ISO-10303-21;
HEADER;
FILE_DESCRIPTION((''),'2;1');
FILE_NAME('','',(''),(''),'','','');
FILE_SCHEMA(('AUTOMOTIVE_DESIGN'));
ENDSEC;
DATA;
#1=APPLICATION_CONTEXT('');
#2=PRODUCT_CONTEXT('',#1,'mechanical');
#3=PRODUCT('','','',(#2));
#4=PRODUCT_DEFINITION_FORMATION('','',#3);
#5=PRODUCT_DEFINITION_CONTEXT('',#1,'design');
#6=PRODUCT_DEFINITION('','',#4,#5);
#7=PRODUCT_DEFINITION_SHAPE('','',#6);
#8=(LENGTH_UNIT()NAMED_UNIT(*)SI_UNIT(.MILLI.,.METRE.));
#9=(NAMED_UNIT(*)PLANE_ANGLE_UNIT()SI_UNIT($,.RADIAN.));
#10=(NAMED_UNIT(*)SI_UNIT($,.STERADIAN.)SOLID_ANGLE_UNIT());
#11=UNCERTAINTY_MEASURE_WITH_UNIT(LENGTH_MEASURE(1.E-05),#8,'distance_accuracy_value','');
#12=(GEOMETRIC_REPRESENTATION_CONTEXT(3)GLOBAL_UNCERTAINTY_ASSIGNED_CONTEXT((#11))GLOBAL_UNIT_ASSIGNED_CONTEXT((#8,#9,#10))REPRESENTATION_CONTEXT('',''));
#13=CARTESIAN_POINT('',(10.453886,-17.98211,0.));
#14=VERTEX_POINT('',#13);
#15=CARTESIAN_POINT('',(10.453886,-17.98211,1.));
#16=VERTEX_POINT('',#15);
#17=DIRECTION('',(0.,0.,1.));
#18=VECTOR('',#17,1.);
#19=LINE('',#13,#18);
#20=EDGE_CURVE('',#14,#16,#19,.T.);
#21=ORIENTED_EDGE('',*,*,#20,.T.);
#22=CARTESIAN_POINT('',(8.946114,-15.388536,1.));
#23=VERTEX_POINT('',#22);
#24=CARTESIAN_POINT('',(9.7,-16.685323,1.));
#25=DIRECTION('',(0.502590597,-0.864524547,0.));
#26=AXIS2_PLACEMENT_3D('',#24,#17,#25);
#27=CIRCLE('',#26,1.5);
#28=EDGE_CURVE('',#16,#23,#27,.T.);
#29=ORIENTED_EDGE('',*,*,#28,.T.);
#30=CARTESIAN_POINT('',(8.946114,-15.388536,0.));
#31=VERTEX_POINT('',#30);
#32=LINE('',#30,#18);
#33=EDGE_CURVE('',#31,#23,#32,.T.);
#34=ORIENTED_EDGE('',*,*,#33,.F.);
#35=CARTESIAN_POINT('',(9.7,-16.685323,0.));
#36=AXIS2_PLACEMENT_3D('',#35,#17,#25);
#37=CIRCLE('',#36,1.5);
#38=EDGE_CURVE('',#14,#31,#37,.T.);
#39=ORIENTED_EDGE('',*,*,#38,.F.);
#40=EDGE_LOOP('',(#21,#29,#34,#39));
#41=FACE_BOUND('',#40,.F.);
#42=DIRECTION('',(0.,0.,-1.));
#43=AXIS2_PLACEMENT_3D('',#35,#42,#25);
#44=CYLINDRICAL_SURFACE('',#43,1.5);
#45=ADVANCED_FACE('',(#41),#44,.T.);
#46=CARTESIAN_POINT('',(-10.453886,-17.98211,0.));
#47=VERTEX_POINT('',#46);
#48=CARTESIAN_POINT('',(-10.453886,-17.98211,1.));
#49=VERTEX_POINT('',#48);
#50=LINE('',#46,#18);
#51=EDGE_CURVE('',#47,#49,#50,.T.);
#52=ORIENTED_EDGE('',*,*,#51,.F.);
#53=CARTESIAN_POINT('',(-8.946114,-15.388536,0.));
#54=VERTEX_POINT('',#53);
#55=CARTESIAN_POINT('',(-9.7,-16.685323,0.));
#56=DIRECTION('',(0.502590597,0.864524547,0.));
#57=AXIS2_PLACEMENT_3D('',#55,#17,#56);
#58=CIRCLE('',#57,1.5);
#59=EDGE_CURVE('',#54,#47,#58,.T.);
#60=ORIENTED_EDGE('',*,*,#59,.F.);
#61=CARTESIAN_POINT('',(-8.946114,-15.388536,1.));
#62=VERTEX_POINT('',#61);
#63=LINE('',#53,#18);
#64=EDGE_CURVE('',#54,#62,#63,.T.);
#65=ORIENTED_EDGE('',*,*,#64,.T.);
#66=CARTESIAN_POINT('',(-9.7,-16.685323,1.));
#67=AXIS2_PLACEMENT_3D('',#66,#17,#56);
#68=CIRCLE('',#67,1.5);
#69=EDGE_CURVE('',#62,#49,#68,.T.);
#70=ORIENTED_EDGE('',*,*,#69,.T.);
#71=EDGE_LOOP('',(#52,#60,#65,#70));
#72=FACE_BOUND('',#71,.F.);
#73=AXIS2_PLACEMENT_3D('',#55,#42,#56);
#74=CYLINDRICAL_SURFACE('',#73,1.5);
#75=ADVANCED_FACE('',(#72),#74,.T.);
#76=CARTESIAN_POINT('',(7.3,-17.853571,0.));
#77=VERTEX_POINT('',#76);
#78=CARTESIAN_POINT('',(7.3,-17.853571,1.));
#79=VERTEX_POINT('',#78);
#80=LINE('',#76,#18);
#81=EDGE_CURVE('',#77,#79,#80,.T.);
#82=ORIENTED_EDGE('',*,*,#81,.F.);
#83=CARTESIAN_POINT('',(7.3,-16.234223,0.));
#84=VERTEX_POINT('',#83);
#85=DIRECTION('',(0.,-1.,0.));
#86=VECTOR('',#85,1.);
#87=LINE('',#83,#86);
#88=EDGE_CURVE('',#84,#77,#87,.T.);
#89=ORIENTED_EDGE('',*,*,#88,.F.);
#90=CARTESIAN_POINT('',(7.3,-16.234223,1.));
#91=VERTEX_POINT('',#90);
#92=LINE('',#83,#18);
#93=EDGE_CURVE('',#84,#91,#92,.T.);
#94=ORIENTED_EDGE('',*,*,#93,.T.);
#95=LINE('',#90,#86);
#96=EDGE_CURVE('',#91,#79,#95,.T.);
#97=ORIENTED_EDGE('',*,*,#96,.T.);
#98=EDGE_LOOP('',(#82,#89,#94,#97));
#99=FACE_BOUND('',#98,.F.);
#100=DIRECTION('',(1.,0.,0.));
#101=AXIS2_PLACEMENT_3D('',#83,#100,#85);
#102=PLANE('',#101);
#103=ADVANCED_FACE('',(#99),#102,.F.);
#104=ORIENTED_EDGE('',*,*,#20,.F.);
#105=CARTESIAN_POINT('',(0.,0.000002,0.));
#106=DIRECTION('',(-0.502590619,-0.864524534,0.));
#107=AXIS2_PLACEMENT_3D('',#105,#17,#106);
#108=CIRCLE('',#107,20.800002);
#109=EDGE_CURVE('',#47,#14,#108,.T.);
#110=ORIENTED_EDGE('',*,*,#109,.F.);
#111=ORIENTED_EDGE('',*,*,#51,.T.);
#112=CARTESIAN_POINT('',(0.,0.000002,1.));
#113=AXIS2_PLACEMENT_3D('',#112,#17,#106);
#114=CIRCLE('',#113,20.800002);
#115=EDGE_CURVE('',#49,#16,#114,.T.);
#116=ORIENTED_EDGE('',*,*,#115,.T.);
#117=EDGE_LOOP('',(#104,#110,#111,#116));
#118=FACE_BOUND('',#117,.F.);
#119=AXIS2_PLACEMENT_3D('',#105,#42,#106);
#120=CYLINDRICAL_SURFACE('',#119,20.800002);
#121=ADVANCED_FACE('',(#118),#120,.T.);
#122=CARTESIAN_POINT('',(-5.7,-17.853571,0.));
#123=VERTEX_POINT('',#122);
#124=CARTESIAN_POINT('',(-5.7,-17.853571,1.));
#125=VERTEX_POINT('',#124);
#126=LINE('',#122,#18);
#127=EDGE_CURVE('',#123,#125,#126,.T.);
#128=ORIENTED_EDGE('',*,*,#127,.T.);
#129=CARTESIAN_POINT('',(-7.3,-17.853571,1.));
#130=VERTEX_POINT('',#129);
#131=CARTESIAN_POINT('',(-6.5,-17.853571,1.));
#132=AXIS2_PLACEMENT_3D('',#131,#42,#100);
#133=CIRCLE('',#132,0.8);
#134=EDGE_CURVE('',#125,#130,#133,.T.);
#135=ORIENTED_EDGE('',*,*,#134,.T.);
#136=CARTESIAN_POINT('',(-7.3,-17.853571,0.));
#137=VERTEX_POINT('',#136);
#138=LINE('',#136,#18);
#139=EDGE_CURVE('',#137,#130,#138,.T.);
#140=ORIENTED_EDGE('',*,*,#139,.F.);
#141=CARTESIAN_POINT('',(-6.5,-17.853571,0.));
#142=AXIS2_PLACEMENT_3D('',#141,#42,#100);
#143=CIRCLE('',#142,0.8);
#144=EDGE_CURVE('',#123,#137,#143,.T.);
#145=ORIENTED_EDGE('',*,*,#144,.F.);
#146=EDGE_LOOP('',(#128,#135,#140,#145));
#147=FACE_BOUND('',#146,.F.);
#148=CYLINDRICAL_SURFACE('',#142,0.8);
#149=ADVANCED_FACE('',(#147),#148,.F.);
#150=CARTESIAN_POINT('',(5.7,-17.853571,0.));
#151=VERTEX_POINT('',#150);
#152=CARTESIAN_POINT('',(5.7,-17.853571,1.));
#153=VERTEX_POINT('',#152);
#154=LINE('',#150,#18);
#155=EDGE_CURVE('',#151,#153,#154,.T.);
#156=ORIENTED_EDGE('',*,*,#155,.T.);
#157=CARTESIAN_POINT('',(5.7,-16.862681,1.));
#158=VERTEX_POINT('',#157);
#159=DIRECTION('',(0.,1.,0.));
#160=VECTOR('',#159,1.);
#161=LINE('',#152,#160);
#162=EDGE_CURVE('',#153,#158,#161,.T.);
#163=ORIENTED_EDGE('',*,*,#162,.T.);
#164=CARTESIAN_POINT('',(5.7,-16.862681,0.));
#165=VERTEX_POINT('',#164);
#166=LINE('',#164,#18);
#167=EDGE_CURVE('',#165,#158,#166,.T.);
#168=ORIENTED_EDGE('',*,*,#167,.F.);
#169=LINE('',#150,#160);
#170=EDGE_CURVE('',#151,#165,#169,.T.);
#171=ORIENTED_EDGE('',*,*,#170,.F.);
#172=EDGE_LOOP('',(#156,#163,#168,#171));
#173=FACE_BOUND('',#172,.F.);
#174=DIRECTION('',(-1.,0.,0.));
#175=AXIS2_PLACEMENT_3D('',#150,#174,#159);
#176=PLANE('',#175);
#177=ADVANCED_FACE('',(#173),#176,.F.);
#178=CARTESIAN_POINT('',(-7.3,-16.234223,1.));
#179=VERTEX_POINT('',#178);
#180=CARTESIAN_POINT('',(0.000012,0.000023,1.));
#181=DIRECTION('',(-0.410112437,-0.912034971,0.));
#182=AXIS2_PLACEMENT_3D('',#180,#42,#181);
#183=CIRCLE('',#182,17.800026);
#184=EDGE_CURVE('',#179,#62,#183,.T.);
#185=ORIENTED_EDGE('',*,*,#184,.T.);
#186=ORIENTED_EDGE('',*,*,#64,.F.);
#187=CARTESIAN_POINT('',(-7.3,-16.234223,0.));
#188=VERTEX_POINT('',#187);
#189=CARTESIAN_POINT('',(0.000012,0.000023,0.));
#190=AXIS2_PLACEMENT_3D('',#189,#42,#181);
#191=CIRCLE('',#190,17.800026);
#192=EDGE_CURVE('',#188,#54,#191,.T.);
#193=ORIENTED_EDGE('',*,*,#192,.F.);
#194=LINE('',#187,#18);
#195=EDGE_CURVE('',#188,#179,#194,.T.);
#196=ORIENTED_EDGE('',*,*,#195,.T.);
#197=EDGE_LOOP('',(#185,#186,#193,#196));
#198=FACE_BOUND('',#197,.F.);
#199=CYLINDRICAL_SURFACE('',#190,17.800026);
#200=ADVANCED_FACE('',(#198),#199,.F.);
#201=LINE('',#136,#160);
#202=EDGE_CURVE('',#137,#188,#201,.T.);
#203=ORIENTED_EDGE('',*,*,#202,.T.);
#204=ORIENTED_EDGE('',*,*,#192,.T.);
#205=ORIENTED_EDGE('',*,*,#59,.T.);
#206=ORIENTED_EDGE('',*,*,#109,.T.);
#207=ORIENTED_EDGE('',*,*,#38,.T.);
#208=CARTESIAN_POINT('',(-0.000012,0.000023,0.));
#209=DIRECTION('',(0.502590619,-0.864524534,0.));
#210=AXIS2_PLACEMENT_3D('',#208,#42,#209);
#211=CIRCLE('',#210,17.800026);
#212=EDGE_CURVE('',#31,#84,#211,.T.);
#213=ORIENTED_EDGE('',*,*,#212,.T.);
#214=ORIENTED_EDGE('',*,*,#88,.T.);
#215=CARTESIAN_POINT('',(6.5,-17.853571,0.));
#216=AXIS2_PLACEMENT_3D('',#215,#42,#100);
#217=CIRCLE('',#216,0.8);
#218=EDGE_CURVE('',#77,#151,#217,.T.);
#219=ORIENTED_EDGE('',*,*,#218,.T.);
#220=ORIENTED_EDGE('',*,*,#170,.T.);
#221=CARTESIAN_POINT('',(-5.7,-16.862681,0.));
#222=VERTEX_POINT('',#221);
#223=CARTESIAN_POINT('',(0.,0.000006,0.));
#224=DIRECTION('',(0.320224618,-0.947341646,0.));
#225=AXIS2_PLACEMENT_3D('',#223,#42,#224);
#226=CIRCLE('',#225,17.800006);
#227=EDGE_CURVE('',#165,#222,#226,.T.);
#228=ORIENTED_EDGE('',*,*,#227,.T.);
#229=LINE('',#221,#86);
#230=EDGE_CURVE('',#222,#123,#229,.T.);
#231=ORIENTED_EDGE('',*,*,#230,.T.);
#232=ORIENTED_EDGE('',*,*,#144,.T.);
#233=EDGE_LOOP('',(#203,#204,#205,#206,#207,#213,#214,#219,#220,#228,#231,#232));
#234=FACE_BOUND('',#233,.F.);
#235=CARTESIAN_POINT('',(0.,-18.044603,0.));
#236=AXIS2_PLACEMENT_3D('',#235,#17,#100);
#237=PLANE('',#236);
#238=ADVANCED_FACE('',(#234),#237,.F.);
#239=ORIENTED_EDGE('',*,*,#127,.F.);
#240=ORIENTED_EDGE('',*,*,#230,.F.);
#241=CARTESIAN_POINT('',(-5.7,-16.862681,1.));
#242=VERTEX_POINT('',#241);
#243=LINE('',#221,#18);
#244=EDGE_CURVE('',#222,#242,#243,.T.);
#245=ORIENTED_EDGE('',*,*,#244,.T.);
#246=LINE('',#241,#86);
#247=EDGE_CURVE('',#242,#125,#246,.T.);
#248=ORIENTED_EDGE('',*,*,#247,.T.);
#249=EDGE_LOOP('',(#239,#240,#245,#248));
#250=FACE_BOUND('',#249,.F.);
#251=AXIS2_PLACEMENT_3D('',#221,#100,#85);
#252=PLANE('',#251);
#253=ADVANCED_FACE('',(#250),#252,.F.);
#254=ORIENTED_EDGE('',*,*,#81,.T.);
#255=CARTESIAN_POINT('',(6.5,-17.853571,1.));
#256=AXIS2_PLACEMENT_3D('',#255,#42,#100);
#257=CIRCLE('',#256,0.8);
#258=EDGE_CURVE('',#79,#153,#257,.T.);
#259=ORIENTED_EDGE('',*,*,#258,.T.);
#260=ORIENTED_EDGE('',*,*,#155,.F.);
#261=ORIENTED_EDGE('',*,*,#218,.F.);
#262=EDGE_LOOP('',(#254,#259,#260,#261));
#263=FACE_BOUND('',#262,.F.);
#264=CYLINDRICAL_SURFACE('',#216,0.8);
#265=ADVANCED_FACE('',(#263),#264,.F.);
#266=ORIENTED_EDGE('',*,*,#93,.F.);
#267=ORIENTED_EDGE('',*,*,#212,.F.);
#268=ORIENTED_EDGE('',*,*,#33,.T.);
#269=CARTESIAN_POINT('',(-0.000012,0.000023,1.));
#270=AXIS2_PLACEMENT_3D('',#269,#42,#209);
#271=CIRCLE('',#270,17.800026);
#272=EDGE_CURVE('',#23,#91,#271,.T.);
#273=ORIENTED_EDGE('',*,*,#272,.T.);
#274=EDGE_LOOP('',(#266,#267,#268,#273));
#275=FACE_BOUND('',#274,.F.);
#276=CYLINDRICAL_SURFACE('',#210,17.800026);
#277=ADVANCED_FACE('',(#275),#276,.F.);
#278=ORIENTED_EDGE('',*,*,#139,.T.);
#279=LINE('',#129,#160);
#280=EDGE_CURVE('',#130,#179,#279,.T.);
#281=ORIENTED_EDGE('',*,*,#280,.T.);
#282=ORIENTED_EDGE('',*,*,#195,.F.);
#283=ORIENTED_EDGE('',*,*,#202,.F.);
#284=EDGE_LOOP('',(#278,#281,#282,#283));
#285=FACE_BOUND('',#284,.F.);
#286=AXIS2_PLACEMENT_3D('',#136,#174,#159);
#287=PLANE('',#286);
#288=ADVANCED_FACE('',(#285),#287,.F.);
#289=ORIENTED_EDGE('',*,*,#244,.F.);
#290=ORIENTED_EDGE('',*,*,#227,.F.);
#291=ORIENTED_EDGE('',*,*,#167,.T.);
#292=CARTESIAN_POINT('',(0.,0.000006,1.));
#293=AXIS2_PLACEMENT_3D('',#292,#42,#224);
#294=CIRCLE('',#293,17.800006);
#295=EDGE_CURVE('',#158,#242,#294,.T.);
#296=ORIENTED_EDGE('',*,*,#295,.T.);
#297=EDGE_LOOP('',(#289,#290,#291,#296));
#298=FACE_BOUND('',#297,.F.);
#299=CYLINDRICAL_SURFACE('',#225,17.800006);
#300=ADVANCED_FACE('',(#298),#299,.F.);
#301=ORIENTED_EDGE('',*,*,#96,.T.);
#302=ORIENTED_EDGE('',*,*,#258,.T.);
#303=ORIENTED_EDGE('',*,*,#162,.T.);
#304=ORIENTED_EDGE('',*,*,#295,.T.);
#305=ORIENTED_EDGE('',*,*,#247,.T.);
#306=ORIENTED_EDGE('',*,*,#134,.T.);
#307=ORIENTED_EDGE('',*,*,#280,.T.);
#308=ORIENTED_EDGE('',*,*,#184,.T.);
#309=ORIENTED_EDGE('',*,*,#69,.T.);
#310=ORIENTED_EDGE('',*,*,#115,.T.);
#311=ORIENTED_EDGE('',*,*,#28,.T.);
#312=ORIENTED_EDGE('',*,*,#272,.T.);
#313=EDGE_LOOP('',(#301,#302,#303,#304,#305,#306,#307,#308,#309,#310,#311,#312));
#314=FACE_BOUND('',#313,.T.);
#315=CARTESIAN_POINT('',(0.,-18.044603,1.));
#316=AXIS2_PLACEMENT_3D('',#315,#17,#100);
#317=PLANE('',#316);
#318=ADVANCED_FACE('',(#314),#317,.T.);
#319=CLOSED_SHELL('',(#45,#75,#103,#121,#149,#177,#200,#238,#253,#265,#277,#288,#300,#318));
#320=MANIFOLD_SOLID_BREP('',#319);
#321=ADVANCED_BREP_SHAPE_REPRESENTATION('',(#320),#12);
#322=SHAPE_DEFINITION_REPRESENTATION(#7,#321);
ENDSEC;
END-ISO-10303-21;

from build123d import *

# Parameters (mm, degrees)
F1_DEPTH = 1


with BuildPart() as f1:
    # F0 (on Top) → F1 (new body)
    with BuildSketch(Plane.XY):
        with BuildLine():
            ThreePointArc((-7.3, -16.234223), (-8.134055, -15.832787), (-8.946114, -15.388536))
            ThreePointArc((-8.946114, -15.388536), (-10.996787, -15.931437), (-10.453886, -17.98211))
            ThreePointArc((-10.453886, -17.98211), (0, -20.8), (10.453886, -17.98211))
            ThreePointArc((10.453886, -17.98211), (10.996787, -15.931437), (8.946114, -15.388536))
            ThreePointArc((8.946114, -15.388536), (8.134055, -15.832787), (7.3, -16.234223))
            Line((7.3, -16.234223), (7.3, -17.853571))
            ThreePointArc((7.3, -17.853571), (6.5, -18.653571), (5.7, -17.853571))
            Line((5.7, -17.853571), (5.7, -16.862681))
            ThreePointArc((5.7, -16.862681), (0, -17.8), (-5.7, -16.862681))
            Line((-5.7, -16.862681), (-5.7, -17.853571))
            ThreePointArc((-5.7, -17.853571), (-6.5, -18.653571), (-7.3, -17.853571))
            Line((-7.3, -17.853571), (-7.3, -16.234223))
        make_face()
    extrude(amount=F1_DEPTH)


solid = f1.part
